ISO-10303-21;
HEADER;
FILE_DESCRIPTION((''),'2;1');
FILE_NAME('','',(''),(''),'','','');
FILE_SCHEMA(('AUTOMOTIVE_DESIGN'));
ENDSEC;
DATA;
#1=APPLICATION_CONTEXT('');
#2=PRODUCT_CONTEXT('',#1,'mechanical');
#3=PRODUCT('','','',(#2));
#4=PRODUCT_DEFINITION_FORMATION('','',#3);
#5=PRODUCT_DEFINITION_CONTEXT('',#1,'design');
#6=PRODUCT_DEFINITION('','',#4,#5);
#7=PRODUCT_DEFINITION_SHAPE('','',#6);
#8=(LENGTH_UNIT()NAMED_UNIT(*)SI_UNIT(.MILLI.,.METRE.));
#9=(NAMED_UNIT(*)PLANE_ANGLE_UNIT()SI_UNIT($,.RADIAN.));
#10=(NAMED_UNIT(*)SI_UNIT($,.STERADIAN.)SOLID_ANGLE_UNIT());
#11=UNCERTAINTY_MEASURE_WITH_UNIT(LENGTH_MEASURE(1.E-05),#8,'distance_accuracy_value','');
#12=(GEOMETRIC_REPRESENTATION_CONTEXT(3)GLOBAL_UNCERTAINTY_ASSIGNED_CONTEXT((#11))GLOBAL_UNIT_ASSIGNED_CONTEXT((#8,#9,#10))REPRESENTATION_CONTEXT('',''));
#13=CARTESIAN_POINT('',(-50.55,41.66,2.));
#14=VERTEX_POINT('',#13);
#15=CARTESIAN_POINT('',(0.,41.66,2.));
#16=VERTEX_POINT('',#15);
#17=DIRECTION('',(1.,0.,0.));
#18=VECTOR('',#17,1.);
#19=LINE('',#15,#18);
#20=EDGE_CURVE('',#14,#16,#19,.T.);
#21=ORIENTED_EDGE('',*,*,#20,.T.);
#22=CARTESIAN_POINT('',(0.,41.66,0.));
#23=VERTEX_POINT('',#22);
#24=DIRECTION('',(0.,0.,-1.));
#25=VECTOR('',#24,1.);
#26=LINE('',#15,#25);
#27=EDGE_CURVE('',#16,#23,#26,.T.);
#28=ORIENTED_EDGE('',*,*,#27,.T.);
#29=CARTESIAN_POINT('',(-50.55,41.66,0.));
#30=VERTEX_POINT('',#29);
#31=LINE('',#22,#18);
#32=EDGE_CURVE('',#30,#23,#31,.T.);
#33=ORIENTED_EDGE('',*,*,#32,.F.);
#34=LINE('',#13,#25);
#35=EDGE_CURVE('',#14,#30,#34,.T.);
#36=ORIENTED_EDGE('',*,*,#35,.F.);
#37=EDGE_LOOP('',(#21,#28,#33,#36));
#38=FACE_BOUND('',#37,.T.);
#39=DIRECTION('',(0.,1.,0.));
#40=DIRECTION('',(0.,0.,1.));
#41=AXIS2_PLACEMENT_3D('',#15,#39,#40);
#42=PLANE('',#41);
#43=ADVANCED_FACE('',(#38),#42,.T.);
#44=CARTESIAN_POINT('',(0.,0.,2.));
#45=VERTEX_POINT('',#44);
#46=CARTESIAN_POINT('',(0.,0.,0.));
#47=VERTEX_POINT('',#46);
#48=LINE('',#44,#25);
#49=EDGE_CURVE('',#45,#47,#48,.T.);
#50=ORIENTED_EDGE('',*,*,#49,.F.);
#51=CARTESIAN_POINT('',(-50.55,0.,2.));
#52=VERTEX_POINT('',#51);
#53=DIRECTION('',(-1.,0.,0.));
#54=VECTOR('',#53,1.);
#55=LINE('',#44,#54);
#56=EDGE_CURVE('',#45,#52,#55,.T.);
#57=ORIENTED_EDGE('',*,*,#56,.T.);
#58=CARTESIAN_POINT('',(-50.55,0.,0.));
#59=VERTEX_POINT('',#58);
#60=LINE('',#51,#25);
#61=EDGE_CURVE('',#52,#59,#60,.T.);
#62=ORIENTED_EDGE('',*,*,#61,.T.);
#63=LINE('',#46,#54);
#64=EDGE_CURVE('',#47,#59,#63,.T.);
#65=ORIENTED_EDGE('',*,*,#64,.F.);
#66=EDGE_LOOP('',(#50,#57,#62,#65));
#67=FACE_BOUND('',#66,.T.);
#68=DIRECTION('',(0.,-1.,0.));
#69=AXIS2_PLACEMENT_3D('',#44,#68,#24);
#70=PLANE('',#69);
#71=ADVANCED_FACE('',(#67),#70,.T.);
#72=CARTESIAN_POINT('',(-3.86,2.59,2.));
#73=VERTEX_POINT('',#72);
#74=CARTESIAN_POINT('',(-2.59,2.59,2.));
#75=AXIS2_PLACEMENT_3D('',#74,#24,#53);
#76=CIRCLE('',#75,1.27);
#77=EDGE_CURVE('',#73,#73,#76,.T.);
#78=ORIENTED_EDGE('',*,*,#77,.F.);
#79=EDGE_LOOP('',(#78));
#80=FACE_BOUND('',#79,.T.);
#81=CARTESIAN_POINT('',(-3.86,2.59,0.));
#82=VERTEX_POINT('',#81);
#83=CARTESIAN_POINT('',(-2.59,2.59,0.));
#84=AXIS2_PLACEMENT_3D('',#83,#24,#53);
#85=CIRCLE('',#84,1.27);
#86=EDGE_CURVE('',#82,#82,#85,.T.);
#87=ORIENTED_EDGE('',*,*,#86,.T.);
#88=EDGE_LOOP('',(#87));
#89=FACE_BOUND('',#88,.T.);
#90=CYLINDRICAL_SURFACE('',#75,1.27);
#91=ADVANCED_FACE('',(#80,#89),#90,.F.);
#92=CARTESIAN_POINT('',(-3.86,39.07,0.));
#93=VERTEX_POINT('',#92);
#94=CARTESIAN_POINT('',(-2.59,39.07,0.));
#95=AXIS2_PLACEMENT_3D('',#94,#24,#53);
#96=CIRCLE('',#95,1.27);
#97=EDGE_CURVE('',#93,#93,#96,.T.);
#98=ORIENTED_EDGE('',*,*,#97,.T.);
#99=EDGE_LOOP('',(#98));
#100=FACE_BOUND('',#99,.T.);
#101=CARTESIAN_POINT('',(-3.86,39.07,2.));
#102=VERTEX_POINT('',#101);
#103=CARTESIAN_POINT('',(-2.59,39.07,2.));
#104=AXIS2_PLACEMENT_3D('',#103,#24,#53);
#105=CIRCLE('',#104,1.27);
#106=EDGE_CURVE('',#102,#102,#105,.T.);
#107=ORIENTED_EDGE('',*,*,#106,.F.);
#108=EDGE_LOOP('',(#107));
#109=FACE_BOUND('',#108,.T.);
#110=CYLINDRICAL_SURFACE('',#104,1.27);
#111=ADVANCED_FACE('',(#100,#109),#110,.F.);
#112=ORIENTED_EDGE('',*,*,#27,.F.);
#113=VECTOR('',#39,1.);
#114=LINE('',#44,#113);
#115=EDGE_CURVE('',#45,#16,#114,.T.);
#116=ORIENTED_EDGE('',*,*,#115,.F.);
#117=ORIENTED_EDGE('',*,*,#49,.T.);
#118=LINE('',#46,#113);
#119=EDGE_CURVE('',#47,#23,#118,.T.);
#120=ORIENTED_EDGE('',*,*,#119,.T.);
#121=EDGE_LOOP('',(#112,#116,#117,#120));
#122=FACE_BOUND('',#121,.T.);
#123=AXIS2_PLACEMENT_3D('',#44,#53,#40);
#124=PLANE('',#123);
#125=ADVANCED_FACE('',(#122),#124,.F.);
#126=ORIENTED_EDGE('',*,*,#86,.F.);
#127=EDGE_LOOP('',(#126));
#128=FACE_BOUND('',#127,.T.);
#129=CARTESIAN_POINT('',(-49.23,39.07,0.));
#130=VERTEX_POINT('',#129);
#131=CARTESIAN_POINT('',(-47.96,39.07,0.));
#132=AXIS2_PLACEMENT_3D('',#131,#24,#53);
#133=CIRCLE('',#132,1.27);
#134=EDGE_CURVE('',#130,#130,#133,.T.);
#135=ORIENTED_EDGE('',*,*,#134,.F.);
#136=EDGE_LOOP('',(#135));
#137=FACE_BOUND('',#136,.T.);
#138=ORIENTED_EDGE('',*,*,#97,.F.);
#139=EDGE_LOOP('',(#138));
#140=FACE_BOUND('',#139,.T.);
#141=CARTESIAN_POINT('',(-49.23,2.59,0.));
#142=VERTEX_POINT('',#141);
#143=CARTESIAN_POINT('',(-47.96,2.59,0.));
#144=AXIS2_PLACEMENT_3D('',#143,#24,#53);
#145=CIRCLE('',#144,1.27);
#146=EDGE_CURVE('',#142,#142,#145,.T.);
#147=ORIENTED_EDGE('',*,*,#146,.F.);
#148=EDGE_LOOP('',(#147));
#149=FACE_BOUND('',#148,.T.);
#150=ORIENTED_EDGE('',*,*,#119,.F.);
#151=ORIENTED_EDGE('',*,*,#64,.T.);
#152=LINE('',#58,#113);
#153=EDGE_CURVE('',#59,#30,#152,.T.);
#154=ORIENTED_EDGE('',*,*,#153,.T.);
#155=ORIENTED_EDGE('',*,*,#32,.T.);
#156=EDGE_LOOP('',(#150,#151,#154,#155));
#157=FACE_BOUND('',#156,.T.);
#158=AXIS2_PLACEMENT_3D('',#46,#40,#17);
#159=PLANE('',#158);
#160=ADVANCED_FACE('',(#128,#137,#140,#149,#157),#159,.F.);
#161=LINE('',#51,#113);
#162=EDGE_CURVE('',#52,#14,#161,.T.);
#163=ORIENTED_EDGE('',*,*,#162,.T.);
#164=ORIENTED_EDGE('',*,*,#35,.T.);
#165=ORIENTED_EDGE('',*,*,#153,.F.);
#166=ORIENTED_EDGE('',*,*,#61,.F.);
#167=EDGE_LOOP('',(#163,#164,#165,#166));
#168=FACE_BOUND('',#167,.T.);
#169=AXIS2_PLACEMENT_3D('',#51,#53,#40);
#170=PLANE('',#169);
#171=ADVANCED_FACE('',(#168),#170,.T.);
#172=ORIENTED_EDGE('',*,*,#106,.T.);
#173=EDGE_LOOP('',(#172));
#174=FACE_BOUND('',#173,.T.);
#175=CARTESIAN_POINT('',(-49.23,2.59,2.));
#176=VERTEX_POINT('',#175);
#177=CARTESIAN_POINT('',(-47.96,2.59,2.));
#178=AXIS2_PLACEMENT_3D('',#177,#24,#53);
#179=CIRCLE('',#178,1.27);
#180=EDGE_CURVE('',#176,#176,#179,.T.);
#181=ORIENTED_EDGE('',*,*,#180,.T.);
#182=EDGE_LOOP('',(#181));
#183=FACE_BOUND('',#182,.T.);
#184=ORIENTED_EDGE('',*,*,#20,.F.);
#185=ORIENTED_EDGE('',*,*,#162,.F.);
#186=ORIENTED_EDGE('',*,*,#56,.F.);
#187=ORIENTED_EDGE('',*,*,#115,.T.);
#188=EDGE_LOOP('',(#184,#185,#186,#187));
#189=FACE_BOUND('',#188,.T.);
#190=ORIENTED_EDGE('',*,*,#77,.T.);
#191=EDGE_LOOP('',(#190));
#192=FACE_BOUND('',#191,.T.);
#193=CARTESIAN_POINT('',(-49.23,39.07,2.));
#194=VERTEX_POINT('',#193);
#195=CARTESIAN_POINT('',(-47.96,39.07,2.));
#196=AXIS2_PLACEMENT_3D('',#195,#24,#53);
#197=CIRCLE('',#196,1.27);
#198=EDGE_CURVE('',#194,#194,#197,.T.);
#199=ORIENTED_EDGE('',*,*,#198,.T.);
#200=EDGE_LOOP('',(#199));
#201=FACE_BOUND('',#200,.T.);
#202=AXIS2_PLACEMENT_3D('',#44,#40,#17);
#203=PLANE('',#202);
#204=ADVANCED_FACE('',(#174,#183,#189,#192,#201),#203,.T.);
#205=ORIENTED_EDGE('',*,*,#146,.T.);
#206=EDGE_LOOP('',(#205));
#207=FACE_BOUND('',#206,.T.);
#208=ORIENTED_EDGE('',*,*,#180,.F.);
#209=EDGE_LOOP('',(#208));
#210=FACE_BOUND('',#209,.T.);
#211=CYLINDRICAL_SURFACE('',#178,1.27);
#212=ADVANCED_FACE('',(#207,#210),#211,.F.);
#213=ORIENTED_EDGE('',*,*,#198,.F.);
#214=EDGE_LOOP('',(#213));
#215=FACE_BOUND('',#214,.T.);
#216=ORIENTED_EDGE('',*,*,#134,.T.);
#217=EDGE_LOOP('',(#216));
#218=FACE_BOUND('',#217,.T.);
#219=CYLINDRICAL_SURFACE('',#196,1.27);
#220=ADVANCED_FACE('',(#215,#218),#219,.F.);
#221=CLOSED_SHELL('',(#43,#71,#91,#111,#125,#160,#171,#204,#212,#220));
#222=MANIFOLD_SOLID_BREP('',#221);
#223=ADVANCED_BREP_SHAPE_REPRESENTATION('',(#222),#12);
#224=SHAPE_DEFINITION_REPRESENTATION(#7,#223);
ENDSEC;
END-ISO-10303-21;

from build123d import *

# Parameters (mm, degrees)
SKETCH1_W           = 46.55
SKETCH1_H           = 2
BOSS_EXTRUDE1_DEPTH = 2
SKETCH11_W          = 46.55
SKETCH11_H          = 37.66
BOSS_EXTRUDE3_DEPTH = 2
SKETCH12_R          = 1.27
CUT_EXTRUDE6_DEPTH  = 2


with BuildPart() as part:
    # Sketch1 → Boss-Extrude1 (new body)
    with BuildSketch(Plane.XY):
        with Locations((-25.275, 40.66)):
            Rectangle(SKETCH1_W, SKETCH1_H)
        Polygon((-2, 0), (0, 0), (0, 41.66), (-2, 41.66), (-2, 39.66), (-2, 2), align=None)
        Polygon((-50.55, 0), (-48.55, 0), (-48.55, 2), (-48.55, 39.66), (-48.55, 41.66), (-50.55, 41.66), align=None)
        with Locations((-25.275, 1)):
            Rectangle(SKETCH1_W, SKETCH1_H)
    extrude(amount=BOSS_EXTRUDE1_DEPTH)

    # Sketch11 → Boss-Extrude3 (add)
    with BuildSketch(Plane(origin=(0, 0, 0), x_dir=(-1, 0, 0), z_dir=(0, 0, -1))):
        with Locations((25.275, 20.83)):
            Rectangle(SKETCH11_W, SKETCH11_H)
    extrude(amount=-BOSS_EXTRUDE3_DEPTH)

    # Sketch12 → Cut-Extrude6 (cut)
    with BuildSketch(Plane(origin=(0, 0, 0), x_dir=(-1, 0, 0), z_dir=(0, 0, -1))):
        with Locations((2.59, 39.07)):
            Circle(SKETCH12_R)
        with Locations((47.96, 39.07)):
            Circle(SKETCH12_R)
        with Locations((2.59, 2.59)):
            Circle(SKETCH12_R)
        with Locations((47.96, 2.59)):
            Circle(SKETCH12_R)
    extrude(amount=-CUT_EXTRUDE6_DEPTH, mode=Mode.SUBTRACT)


solid = part.part
